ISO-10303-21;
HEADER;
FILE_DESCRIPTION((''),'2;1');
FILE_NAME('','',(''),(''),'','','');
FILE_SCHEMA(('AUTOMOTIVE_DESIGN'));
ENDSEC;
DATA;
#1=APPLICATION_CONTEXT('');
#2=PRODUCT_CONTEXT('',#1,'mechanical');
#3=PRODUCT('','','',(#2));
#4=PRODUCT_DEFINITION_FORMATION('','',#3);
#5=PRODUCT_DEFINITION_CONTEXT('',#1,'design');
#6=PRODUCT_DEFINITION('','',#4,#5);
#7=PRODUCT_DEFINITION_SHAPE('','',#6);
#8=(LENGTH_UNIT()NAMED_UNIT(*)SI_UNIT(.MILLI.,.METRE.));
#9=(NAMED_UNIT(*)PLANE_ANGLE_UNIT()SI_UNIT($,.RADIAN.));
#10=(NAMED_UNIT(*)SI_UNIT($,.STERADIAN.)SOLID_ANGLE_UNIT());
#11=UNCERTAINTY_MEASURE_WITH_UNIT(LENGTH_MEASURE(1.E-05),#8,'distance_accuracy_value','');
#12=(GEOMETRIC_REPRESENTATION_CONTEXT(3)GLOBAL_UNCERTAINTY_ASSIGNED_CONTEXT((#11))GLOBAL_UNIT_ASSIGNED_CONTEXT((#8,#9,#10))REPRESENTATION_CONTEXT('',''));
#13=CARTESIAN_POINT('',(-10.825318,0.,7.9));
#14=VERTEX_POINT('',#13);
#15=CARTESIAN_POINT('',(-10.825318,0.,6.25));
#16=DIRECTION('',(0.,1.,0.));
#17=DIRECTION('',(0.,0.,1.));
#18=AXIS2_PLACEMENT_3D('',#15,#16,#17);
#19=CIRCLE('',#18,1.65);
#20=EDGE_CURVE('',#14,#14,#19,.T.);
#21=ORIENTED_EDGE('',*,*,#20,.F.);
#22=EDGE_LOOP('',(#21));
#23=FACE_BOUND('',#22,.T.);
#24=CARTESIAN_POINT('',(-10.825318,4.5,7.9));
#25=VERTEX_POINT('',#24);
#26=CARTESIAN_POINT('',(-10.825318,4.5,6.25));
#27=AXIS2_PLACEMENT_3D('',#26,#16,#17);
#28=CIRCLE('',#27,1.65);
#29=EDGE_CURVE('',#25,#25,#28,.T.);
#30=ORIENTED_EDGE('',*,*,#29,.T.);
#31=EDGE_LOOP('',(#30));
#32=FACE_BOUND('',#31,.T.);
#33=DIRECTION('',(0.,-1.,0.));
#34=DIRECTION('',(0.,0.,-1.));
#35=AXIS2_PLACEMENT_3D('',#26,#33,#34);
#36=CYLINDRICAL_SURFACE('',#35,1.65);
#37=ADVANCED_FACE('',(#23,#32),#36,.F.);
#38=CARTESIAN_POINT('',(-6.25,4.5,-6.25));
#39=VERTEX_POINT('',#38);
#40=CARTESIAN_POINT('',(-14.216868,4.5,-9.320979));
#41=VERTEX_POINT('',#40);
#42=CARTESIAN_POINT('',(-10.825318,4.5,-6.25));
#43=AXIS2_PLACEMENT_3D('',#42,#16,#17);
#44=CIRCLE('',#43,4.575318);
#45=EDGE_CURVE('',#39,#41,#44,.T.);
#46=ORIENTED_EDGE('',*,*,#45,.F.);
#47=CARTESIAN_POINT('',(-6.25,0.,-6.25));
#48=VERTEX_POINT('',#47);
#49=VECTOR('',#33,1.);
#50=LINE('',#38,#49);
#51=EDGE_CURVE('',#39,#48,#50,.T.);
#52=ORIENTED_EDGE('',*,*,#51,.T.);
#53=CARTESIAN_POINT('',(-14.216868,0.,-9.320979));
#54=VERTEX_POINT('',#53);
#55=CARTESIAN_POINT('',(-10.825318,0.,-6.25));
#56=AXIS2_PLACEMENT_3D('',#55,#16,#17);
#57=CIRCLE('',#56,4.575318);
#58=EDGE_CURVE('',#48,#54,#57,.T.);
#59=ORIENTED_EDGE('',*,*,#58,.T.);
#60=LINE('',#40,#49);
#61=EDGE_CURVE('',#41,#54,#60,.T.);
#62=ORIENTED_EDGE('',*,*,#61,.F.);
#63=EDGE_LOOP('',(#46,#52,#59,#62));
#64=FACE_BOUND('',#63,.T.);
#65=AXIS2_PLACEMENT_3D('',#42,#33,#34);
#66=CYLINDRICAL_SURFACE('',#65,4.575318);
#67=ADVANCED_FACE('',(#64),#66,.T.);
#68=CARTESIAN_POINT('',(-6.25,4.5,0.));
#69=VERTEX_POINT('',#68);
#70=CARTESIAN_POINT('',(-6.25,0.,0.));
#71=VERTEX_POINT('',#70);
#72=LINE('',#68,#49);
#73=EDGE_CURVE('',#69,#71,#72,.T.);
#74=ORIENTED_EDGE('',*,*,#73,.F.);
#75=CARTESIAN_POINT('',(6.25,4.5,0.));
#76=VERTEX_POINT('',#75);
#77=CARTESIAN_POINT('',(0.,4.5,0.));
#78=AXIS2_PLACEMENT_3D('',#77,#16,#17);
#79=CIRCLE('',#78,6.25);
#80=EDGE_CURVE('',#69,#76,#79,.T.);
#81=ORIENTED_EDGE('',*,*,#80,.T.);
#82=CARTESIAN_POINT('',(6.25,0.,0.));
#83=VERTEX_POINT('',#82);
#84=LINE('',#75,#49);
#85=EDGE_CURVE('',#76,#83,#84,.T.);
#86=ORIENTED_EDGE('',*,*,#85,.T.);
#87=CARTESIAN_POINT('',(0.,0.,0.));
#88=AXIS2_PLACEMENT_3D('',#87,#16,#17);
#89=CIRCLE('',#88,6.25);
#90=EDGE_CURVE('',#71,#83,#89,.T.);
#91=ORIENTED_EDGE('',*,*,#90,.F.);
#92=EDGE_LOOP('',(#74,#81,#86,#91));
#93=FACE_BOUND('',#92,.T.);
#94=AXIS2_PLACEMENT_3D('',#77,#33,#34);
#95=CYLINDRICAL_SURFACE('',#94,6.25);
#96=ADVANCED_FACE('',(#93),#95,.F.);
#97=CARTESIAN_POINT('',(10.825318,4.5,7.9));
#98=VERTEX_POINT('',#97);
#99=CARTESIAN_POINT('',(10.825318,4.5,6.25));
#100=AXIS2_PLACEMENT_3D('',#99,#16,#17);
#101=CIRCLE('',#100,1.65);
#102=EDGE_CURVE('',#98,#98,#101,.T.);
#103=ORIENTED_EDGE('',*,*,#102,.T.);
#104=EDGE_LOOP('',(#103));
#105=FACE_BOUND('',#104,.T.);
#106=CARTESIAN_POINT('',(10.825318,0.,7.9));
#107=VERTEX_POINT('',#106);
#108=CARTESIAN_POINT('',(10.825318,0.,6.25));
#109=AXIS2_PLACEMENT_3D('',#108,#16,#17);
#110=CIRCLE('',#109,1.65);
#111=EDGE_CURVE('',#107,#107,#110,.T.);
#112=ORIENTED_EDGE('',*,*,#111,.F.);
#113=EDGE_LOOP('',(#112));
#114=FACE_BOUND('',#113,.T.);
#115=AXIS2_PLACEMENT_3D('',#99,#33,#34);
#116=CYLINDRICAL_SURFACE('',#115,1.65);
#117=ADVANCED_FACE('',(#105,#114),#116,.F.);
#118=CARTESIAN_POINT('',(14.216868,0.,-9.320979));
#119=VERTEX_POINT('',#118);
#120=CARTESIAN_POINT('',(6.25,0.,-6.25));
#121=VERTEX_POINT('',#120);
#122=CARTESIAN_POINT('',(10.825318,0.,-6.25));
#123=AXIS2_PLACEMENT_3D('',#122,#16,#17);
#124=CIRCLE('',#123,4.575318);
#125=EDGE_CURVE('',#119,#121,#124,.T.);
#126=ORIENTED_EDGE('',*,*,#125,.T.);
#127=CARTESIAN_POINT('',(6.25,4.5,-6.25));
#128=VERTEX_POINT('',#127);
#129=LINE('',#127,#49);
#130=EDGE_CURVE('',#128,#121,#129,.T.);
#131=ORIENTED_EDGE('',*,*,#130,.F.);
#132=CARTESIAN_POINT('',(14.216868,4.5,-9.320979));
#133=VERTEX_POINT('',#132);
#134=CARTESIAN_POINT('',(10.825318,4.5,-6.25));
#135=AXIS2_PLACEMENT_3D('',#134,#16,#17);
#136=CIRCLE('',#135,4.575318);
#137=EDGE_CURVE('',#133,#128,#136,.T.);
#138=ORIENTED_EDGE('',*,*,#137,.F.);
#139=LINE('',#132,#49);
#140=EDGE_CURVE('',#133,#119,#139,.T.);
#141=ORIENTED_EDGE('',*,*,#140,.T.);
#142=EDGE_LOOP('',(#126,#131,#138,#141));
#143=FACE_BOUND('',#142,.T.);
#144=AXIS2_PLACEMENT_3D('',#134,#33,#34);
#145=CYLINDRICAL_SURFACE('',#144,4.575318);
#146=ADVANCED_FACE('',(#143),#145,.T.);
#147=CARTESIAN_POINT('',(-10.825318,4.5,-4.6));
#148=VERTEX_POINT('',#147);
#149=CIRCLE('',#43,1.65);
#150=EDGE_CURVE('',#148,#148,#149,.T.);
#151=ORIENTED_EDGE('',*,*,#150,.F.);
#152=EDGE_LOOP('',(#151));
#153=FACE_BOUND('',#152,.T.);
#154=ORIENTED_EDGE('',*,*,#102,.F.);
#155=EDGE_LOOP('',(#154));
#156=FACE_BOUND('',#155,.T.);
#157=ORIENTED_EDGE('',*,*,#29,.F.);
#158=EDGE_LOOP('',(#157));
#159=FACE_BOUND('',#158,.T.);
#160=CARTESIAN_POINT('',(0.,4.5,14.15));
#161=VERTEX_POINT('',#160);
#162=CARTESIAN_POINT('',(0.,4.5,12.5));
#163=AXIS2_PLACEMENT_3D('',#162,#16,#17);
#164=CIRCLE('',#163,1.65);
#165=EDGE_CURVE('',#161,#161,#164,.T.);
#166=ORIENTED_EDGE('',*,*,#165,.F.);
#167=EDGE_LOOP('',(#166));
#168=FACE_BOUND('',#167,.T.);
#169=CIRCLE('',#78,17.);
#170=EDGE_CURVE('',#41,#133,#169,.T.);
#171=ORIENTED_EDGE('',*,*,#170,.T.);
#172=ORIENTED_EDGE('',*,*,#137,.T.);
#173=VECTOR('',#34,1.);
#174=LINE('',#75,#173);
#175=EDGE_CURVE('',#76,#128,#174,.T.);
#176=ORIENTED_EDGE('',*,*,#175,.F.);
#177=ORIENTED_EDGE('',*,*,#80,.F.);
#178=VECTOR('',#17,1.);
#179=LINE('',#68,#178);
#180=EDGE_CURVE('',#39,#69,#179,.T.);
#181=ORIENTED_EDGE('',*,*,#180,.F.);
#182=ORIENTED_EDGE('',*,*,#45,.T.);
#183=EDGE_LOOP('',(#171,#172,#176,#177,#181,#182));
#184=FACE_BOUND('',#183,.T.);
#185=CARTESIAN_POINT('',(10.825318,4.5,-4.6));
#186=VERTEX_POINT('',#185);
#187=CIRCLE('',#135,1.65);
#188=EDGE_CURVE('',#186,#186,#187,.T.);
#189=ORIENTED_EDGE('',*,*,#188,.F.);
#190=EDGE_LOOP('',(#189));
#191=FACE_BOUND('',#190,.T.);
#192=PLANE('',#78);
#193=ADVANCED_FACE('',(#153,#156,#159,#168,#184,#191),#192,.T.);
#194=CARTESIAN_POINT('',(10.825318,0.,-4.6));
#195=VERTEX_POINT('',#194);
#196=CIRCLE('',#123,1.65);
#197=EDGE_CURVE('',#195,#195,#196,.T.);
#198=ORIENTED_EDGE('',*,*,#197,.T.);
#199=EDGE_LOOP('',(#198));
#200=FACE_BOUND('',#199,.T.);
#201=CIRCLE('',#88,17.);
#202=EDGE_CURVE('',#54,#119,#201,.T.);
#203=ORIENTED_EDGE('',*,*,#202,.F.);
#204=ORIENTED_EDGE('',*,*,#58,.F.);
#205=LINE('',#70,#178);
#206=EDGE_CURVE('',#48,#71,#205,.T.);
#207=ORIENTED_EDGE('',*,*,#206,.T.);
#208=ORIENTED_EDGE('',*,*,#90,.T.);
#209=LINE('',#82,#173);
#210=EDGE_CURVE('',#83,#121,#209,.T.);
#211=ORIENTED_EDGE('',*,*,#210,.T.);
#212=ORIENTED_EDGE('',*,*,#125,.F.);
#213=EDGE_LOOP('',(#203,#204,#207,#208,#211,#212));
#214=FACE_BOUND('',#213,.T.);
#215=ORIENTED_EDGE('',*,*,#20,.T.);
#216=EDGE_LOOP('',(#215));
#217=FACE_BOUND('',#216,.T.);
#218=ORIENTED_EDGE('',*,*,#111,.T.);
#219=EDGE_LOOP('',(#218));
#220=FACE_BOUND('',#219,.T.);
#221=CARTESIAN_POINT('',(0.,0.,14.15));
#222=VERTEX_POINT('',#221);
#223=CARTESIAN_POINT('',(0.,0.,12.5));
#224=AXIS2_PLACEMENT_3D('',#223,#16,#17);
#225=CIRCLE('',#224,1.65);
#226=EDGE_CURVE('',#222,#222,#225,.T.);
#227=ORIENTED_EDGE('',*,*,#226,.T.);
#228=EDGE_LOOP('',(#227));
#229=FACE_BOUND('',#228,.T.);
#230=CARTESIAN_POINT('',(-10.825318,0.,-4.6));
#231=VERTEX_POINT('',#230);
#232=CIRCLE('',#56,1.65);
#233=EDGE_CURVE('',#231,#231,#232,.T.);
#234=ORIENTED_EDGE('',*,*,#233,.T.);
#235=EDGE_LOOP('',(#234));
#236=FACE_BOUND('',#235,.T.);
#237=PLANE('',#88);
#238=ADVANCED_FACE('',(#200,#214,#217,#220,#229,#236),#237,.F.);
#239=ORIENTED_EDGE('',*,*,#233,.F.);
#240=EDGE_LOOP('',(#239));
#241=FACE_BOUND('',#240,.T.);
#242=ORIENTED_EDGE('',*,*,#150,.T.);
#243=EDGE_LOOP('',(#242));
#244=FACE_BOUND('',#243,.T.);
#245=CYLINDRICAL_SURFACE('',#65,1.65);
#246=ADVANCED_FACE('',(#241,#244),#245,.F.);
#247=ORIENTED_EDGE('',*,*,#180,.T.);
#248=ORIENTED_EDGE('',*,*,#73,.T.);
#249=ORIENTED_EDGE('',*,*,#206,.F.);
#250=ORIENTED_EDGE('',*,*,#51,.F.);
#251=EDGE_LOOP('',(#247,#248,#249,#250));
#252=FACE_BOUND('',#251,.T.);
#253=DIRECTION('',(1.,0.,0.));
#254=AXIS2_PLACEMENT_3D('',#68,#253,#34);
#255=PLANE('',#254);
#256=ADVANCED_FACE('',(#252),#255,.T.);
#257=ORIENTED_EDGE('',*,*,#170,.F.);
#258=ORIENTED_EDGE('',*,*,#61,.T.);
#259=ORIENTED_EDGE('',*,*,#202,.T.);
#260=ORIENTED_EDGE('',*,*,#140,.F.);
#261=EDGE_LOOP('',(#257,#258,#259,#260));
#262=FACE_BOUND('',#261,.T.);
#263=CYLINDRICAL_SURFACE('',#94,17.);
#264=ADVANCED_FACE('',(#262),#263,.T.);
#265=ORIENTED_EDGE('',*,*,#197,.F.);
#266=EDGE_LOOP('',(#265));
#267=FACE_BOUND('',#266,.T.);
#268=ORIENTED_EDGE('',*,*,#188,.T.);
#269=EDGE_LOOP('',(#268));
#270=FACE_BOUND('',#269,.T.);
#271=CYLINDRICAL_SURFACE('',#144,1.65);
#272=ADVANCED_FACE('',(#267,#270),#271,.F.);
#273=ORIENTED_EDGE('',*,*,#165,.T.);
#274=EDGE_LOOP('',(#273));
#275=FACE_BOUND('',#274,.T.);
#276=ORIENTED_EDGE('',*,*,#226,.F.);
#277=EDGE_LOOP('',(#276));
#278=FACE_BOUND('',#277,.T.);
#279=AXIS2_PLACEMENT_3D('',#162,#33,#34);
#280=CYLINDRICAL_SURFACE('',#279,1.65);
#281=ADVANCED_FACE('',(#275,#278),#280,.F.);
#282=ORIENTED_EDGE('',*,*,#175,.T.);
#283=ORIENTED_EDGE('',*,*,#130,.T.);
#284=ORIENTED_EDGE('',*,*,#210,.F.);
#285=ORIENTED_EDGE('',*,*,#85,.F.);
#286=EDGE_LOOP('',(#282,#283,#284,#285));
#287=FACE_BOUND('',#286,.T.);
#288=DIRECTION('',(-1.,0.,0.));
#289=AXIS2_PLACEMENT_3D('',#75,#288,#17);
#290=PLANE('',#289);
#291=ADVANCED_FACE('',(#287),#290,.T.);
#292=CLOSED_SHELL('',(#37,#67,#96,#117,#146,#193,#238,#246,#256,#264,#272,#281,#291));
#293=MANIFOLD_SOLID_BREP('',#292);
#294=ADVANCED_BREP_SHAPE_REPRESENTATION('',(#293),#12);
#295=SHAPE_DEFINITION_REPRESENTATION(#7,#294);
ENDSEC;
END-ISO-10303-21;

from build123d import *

# Parameters (mm, degrees)
SKETCH1_R           = 1.65
BOSS_EXTRUDE1_DEPTH = 4.5


with BuildPart() as part:
    # Sketch1 → Boss-Extrude1 (new body)
    with BuildSketch(Plane(origin=(0, 0, 0), x_dir=(1, 0, 0), z_dir=(0, 1, 0))):
        with BuildLine():
            Line((6.25, 6.25), (6.25, 0))
            ThreePointArc((6.25, 0), (0, -6.25), (-6.25, 0))
            Line((-6.25, 0), (-6.25, 6.25))
            ThreePointArc((-6.25, 6.25), (-9.179700773, 10.519130601), (-14.216868268, 9.320979382))
            ThreePointArc((-14.216868268, 9.320979382), (-14.722431864, 8.5), (-15.180639067, 7.651679391))
            ThreePointArc((-15.180639067, 7.651679391), (0, -17), (15.180639067, 7.651679391))
            ThreePointArc((15.180639067, 7.651679391), (14.722431864, 8.5), (14.216868268, 9.320979382))
            ThreePointArc((14.216868268, 9.320979382), (9.179700773, 10.519130601), (6.25, 6.25))
        make_face()
        with Locations((-10.825317547, -6.25)):
            Circle(SKETCH1_R, mode=Mode.SUBTRACT)
        with Locations((0, -12.5)):
            Circle(SKETCH1_R, mode=Mode.SUBTRACT)
        with Locations((10.825317547, -6.25)):
            Circle(SKETCH1_R, mode=Mode.SUBTRACT)
        with Locations((-10.825317547, 6.25)):
            Circle(SKETCH1_R, mode=Mode.SUBTRACT)
        with Locations((10.825317547, 6.25)):
            Circle(SKETCH1_R, mode=Mode.SUBTRACT)
    extrude(amount=BOSS_EXTRUDE1_DEPTH)


solid = part.part
